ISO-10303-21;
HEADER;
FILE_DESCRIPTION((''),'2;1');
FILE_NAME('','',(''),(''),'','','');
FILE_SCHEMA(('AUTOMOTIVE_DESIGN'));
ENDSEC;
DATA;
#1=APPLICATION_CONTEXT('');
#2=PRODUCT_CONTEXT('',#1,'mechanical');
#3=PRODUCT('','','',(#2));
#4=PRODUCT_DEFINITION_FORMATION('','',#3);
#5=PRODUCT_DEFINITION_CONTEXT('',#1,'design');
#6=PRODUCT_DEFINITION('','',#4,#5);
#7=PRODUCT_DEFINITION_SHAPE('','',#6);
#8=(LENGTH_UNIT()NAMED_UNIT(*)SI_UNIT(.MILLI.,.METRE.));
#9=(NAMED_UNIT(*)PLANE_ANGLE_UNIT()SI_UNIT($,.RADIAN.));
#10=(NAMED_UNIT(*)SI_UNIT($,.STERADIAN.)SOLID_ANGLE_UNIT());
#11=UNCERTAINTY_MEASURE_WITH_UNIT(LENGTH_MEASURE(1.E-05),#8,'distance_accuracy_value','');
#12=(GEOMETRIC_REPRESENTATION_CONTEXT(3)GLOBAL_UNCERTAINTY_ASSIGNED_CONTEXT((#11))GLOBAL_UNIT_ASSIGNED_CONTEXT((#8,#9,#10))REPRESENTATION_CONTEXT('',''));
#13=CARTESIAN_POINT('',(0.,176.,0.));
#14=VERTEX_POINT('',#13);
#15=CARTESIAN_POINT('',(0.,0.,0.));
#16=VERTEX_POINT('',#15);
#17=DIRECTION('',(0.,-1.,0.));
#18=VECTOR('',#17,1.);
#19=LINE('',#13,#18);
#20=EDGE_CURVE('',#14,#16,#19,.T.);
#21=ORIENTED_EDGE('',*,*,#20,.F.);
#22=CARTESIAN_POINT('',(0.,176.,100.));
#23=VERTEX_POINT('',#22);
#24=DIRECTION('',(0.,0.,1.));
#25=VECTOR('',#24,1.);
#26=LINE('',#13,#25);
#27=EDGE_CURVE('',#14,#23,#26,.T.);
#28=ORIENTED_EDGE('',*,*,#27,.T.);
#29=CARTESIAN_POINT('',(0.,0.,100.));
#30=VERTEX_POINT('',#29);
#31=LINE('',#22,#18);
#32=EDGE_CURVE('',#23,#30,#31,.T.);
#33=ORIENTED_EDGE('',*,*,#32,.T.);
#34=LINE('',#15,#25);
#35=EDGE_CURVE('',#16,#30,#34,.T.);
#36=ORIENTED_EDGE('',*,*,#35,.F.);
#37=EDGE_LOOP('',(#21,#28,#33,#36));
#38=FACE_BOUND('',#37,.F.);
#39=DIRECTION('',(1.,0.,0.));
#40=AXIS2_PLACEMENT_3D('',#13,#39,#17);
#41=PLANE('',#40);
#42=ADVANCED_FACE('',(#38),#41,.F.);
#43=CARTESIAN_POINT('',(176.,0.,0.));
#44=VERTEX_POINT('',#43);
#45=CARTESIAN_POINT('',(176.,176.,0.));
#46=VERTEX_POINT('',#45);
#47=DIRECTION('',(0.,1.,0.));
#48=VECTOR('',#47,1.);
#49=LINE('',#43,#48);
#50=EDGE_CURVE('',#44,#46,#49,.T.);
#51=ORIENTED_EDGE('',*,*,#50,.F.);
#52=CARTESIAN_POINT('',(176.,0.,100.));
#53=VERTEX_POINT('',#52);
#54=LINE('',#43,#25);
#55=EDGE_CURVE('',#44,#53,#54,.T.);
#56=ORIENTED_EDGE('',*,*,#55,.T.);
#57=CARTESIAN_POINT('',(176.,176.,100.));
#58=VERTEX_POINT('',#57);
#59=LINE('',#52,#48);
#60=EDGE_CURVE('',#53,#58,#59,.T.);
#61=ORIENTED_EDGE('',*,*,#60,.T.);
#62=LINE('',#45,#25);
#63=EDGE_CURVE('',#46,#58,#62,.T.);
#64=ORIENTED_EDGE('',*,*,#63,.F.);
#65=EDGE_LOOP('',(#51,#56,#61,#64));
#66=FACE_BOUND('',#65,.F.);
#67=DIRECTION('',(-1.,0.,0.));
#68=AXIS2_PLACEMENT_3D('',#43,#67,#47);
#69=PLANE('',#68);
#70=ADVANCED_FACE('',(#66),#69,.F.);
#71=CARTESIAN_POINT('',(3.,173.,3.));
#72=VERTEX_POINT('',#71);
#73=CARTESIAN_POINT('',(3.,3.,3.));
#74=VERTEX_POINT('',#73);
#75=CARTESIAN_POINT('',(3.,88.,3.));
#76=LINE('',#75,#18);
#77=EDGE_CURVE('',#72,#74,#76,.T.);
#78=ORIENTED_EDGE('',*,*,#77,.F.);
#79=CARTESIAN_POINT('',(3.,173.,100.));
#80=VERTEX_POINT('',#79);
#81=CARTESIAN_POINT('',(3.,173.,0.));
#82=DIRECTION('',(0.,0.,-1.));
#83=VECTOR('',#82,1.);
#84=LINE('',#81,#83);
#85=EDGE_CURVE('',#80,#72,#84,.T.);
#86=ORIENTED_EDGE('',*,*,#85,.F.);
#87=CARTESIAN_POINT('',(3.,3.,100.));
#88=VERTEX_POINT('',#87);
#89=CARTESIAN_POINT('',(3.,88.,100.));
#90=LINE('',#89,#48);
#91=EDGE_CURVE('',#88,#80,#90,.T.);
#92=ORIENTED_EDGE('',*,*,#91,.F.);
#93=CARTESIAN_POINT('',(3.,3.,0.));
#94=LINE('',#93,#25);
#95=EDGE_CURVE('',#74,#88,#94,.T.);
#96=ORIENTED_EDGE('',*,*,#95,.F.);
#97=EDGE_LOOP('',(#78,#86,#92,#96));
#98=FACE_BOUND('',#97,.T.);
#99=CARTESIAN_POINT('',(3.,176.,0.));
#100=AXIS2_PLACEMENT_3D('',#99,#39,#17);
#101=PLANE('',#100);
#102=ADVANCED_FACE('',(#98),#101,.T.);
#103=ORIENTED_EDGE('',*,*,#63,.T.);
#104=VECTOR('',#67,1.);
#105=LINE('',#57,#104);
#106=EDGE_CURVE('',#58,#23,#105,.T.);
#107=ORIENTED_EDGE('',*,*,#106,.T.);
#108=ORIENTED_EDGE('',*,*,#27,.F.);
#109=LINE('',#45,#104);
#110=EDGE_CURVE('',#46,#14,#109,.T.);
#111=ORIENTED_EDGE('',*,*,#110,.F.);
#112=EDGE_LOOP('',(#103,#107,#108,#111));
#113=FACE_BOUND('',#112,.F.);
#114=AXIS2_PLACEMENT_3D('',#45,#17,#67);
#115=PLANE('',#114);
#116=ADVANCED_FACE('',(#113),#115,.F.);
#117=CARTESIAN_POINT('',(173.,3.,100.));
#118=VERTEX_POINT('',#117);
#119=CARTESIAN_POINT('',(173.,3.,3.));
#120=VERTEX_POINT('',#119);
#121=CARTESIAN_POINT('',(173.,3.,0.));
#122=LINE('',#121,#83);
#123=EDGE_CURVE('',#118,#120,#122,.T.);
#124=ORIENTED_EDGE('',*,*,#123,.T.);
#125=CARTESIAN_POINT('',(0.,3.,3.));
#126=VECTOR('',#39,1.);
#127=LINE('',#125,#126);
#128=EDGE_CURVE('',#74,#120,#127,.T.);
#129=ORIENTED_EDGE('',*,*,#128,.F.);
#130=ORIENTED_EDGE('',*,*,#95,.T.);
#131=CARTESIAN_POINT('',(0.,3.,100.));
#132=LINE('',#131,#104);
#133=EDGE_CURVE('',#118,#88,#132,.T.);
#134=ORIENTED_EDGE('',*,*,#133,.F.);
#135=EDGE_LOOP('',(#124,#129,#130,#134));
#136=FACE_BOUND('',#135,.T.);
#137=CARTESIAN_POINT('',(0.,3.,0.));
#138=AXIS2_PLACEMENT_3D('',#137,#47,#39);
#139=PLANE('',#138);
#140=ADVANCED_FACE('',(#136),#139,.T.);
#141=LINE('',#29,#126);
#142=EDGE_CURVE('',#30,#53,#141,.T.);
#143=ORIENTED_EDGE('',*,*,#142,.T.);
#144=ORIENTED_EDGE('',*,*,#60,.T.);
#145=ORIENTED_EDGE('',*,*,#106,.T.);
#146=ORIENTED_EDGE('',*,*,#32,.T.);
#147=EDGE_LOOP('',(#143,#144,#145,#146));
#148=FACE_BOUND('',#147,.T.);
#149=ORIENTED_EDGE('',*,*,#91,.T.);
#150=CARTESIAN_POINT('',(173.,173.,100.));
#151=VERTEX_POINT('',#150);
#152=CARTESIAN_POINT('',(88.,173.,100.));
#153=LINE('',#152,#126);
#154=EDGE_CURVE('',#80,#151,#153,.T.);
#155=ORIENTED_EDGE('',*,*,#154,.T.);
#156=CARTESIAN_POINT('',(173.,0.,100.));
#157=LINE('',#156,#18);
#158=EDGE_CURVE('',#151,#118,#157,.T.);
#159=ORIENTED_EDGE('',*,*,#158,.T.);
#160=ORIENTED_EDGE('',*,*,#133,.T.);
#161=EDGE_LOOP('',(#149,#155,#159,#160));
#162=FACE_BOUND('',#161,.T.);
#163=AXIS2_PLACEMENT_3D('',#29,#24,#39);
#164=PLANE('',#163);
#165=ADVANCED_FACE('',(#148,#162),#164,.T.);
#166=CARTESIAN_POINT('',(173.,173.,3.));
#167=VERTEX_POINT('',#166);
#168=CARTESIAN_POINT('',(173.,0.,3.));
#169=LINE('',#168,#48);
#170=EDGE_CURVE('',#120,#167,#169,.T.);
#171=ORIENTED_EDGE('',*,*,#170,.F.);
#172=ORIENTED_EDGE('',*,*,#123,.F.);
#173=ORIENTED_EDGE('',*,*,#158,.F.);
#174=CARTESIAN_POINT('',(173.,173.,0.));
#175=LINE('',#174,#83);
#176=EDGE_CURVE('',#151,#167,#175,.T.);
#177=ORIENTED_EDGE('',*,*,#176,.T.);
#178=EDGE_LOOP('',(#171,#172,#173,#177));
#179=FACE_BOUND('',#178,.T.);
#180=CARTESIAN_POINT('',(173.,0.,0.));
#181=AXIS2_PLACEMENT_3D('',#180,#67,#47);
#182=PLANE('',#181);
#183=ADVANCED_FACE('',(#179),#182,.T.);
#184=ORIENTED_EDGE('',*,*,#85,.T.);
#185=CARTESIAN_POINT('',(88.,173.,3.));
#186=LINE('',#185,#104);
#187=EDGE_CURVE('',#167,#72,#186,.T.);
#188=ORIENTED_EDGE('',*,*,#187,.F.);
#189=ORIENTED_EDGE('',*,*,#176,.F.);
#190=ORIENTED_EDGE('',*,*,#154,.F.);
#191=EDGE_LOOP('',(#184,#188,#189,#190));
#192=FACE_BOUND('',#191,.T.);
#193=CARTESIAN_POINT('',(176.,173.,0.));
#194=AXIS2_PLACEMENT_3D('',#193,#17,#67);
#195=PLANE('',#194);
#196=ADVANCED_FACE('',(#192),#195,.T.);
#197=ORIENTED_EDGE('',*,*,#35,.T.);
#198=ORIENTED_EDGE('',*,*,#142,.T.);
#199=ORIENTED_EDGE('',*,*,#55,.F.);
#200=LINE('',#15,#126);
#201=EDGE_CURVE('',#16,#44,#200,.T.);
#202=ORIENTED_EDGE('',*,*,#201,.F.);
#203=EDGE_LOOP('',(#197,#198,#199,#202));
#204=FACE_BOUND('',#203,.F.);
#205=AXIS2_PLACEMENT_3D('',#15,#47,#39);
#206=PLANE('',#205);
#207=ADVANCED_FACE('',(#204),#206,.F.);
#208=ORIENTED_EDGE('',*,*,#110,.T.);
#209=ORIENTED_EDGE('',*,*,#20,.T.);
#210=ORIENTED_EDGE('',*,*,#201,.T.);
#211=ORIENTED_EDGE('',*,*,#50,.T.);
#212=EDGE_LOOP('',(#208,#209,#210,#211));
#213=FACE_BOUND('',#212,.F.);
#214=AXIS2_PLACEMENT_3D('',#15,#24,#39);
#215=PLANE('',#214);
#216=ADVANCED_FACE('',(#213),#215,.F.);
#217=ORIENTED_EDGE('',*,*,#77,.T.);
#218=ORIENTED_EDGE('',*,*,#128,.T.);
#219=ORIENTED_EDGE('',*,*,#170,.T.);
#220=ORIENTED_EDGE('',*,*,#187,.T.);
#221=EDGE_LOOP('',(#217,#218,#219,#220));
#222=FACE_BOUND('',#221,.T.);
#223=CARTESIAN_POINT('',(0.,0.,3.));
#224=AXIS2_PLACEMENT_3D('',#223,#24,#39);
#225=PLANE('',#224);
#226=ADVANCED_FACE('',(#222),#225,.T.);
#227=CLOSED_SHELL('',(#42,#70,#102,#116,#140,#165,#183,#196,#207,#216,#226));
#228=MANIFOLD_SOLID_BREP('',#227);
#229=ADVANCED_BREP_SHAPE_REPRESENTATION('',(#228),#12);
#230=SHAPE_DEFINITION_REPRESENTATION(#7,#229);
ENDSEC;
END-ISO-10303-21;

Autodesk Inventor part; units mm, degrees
ref_plane "YZ Plane" through (0, 0, 0) normal (1, 0, 0) x (0, 1, 0)
ref_plane "XZ Plane" through (0, 0, 0) normal (0, 1, 0) x (-1, 0, 0)
ref_plane "XY Plane" through (0, 0, 0) normal (0, 0, 1) x (1, 0, 0)
sketch "Sketch1" plane through (0, 0, 0) normal (0, 0, 1) x (1, 0, 0)
  line L0 (0, 0) -> (176, 0)
  line L1 (176, 0) -> (176, 176)
  line L2 (176, 176) -> (0, 176)
  line L3 (0, 176) -> (0, 0)
  dimension "d0" = 176
  dimension "d1" = 176
extrude "Extrusion1" add sketch "Sketch1" along normal blind 100
shell "Shell1" thickness 3 removed faces 1 at (117.3333, 58.6667, 100)
properties part number "gearbox_box"
